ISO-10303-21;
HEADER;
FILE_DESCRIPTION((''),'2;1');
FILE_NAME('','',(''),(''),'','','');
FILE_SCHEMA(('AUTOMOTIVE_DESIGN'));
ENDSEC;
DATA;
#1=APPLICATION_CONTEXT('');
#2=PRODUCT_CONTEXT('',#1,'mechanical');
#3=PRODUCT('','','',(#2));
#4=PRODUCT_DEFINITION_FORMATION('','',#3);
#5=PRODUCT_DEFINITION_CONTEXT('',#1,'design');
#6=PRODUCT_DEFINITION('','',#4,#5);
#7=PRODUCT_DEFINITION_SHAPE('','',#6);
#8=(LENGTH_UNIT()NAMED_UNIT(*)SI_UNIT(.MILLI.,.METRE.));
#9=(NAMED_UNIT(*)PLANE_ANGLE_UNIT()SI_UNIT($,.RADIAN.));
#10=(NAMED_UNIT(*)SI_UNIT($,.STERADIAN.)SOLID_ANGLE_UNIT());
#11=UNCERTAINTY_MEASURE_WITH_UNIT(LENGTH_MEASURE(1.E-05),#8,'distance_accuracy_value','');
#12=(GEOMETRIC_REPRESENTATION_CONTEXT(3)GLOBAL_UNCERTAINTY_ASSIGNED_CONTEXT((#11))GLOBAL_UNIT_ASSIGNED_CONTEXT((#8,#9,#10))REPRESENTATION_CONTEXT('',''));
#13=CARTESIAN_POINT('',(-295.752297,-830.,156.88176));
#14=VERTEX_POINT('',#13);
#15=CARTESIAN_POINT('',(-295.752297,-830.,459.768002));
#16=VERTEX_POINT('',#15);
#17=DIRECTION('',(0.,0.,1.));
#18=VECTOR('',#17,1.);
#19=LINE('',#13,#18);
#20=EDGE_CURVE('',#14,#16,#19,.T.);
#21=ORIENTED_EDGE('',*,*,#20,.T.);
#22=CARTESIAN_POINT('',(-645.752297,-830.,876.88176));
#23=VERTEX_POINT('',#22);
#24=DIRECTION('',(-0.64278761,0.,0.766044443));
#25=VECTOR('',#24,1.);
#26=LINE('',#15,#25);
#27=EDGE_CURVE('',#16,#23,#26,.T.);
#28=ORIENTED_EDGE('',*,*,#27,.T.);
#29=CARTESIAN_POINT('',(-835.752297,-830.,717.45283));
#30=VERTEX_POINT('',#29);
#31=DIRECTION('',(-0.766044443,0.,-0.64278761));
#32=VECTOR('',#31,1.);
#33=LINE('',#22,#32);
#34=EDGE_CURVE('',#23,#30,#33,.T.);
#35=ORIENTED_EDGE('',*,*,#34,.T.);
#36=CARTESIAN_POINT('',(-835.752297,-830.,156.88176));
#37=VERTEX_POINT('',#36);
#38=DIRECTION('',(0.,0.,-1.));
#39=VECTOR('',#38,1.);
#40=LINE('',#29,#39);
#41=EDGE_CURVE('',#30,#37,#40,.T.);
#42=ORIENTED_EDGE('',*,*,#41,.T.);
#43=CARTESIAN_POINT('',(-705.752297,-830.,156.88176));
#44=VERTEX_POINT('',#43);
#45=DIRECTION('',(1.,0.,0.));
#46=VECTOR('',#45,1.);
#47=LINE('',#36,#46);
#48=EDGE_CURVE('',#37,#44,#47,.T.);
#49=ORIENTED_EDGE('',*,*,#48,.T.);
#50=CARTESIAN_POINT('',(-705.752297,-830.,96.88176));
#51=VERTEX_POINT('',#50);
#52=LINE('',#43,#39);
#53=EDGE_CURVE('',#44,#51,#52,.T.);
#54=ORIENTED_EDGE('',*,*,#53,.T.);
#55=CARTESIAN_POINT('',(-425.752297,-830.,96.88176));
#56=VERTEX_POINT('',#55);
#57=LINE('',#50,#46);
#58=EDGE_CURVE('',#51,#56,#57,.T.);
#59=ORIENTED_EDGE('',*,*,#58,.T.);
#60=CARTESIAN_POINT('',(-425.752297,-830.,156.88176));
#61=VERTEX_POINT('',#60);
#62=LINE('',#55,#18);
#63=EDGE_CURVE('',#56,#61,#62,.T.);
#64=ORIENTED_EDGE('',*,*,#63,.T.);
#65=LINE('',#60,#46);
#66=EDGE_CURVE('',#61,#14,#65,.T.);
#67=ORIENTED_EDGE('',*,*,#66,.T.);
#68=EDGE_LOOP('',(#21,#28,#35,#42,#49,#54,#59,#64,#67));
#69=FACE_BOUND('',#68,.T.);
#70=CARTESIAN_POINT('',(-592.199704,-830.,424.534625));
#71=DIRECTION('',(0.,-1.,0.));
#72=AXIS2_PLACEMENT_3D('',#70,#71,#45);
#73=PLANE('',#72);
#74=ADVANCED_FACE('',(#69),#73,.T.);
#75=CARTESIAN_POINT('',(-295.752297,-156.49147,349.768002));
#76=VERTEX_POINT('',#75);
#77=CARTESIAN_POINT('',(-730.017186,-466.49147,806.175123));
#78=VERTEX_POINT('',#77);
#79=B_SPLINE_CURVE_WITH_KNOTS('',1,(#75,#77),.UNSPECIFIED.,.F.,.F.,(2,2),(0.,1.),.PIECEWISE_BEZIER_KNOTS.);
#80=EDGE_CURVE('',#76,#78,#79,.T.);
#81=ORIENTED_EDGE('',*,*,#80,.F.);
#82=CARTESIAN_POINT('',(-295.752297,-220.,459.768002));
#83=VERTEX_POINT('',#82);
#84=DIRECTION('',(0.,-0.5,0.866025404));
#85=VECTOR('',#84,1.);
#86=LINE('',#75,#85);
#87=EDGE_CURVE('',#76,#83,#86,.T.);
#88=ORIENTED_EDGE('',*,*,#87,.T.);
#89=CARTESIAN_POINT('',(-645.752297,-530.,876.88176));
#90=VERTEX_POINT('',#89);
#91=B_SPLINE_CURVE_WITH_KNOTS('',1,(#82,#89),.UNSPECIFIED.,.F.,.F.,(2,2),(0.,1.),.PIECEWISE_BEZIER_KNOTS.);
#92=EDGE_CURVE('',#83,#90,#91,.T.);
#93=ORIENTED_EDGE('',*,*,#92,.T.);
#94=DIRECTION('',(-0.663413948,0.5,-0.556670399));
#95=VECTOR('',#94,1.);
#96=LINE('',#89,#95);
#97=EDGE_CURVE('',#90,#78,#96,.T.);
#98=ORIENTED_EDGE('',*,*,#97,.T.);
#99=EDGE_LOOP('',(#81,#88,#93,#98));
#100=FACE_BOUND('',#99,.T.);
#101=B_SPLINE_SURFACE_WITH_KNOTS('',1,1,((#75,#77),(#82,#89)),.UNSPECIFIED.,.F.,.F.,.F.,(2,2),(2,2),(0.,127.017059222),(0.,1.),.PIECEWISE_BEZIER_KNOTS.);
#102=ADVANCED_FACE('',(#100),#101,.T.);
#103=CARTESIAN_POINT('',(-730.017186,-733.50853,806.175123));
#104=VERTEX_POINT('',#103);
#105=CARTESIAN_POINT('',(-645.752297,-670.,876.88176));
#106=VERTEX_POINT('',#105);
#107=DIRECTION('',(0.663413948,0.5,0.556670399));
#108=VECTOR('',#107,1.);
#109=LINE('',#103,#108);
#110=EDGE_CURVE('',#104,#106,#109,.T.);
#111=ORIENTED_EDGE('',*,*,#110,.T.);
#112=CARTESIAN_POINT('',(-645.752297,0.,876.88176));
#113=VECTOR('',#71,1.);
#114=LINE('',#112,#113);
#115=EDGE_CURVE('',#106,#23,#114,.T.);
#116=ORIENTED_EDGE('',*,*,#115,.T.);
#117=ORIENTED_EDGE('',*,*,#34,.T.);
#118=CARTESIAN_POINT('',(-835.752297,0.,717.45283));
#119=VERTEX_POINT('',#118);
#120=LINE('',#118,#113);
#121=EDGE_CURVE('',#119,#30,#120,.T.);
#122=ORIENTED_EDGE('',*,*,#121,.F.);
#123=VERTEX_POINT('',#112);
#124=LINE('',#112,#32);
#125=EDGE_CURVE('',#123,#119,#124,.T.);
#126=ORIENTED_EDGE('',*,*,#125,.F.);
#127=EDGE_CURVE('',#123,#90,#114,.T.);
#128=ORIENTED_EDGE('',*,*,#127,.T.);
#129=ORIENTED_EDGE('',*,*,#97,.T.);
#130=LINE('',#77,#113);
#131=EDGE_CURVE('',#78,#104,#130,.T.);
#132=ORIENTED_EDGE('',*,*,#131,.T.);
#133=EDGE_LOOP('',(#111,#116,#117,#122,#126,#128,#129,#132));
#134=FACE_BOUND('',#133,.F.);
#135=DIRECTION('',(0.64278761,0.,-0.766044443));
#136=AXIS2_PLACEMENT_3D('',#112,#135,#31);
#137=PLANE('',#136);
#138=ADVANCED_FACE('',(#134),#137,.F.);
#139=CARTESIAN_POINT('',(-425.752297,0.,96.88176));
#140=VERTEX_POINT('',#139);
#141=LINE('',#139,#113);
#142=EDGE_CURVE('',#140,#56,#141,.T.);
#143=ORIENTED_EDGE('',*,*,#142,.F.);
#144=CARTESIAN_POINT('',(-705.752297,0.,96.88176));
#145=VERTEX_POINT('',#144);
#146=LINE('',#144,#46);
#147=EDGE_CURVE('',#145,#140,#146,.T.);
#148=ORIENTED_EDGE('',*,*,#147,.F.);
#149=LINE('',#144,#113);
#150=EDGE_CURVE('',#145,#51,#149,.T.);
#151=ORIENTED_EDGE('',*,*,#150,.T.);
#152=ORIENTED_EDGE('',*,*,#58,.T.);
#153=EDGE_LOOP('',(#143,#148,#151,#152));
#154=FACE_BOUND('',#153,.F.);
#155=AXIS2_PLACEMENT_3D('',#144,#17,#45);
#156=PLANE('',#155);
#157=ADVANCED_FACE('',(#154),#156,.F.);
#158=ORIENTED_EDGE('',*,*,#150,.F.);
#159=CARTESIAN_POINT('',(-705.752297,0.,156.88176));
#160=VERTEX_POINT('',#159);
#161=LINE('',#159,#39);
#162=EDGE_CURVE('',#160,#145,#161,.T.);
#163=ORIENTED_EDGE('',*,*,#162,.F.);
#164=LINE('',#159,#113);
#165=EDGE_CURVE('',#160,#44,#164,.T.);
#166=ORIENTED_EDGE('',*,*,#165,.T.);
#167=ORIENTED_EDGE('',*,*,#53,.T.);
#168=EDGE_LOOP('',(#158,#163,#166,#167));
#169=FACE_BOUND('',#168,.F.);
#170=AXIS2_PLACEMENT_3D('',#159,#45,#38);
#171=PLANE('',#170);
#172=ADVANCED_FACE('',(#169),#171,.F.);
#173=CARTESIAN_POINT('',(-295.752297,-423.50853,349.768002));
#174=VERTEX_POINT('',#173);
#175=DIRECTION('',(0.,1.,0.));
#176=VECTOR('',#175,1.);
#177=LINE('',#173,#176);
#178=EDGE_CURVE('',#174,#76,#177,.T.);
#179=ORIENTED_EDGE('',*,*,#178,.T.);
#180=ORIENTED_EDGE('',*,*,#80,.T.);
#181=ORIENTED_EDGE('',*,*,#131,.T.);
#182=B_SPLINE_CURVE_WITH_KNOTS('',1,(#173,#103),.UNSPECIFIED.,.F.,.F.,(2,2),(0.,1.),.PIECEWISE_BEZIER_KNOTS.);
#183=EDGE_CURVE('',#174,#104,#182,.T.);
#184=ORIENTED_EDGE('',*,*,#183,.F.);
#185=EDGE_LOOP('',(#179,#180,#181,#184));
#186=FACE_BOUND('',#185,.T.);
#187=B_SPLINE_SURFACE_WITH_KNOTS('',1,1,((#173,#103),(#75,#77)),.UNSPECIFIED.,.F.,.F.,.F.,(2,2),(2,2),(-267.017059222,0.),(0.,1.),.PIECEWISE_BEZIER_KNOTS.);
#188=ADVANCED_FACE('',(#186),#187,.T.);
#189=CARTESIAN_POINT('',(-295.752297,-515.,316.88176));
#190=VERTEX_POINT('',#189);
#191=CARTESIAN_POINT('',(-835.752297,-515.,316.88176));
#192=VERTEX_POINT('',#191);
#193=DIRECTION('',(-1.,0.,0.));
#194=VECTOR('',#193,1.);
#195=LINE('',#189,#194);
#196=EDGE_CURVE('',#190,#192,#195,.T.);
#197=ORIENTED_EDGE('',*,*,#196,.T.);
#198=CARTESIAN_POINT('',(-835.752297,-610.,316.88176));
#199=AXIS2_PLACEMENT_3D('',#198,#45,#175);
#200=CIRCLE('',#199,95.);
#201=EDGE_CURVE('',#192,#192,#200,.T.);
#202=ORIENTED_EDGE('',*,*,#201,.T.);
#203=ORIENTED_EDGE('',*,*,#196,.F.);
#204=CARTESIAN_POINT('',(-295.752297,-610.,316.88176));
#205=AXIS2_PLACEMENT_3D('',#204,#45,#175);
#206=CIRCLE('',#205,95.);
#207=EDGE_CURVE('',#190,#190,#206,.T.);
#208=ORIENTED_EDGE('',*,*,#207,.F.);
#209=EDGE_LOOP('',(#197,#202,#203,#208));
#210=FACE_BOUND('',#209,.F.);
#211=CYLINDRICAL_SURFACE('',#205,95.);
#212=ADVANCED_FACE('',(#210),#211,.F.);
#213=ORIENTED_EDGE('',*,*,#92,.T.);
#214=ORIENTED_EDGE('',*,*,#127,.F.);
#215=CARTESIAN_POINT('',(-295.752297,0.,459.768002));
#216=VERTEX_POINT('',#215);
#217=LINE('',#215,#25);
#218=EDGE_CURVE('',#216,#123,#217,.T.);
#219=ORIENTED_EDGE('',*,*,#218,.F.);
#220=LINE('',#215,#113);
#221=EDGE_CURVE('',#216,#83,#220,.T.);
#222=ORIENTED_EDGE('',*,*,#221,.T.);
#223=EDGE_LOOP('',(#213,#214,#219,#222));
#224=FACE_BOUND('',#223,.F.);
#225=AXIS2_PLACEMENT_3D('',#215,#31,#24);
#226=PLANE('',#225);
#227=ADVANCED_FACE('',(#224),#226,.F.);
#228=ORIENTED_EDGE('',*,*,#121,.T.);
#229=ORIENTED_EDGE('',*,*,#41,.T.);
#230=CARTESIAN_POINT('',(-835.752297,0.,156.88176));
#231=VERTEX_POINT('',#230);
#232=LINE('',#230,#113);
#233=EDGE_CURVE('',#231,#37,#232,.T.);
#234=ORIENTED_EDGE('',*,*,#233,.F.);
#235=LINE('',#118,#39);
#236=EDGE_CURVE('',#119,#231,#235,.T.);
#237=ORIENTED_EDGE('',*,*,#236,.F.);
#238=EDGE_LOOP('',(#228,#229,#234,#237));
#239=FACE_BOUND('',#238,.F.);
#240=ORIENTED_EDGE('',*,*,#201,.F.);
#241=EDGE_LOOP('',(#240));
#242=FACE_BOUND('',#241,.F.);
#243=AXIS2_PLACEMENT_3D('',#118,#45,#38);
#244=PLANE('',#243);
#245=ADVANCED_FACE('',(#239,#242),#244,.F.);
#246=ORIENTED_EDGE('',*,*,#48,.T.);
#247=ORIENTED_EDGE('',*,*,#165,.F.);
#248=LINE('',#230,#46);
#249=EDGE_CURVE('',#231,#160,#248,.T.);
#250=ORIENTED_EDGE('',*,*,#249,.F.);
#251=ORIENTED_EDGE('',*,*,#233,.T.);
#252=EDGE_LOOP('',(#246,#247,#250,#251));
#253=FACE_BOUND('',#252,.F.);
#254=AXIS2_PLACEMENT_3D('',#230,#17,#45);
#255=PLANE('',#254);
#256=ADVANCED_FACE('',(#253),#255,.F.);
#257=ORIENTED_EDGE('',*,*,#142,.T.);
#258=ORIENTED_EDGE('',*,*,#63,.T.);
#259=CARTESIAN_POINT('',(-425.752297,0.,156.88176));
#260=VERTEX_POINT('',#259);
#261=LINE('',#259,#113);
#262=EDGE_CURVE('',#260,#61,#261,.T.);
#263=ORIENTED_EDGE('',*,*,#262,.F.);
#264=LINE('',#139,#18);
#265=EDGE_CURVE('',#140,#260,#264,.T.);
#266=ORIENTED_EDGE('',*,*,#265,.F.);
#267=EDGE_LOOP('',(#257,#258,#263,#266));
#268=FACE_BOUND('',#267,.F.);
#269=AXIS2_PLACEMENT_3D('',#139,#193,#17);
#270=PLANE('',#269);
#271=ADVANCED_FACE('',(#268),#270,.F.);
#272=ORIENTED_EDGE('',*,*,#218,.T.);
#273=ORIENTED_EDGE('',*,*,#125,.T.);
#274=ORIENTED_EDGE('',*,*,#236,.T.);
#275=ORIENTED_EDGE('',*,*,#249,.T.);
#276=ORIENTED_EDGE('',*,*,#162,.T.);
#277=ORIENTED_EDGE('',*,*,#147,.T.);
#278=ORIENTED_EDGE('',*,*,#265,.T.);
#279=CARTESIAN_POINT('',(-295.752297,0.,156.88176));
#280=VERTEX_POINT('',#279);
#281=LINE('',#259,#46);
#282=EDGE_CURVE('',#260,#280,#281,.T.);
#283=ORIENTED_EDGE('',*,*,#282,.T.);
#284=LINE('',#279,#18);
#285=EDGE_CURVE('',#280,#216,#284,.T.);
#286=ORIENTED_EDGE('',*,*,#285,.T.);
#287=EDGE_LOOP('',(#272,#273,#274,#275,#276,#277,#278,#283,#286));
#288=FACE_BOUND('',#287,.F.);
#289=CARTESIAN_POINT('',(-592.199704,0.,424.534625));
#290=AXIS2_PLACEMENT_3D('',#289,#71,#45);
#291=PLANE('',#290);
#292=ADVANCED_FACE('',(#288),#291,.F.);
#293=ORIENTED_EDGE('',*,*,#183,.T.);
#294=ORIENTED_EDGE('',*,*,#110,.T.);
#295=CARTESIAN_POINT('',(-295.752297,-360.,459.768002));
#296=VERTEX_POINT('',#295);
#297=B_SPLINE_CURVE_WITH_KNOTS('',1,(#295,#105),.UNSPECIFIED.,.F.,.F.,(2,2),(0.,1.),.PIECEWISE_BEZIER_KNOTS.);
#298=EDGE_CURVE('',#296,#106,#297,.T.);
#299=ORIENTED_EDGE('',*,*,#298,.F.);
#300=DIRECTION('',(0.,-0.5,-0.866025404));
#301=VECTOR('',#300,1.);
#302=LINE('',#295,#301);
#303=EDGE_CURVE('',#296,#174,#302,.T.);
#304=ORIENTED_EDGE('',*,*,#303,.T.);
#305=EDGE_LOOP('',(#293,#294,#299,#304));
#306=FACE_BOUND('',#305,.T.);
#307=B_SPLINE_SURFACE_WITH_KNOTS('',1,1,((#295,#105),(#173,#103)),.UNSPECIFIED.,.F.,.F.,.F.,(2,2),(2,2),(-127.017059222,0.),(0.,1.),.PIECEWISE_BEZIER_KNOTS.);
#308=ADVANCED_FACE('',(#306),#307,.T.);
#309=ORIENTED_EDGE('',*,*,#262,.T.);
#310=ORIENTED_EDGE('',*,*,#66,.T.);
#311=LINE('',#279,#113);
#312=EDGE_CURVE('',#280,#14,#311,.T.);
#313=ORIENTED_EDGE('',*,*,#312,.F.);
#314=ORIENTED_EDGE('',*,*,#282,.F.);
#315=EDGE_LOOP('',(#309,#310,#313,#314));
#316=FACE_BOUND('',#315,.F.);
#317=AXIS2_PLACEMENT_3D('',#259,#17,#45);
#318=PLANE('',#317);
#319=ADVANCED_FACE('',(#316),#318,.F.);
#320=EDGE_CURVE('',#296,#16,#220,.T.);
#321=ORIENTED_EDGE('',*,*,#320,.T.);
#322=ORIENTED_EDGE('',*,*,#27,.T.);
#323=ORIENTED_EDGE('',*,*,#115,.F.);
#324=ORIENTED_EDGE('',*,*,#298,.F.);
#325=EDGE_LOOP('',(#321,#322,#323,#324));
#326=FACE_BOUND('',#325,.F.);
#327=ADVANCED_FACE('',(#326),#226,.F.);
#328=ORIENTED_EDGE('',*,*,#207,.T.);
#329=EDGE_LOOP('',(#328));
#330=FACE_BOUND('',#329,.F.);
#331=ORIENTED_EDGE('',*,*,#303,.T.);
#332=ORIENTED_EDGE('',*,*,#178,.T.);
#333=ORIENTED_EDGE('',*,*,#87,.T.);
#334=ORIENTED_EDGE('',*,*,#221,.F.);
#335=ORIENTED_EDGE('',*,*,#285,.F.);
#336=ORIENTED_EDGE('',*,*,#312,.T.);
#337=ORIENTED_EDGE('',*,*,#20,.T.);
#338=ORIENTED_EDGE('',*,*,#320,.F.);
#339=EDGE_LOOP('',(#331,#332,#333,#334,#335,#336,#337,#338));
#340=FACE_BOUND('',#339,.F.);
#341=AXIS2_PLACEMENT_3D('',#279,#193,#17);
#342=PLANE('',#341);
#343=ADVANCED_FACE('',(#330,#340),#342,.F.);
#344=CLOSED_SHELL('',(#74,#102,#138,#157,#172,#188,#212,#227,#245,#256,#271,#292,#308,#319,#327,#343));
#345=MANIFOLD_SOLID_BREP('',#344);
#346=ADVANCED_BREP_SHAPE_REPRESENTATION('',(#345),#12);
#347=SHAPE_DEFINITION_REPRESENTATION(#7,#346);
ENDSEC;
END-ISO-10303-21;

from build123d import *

# Parameters (mm, degrees)
F1_DEPTH = 830
F2_R     = 95
F5_DEPTH = 540.001


with BuildPart() as f1:
    # F0 (on Front) → F1 (new body)
    with BuildSketch(Plane.XZ):
        Polygon((-645.752296802, 876.8817598489), (-835.752296802, 717.4528299252), (-835.752296802, 156.8817598489), (-705.752296802, 156.8817598489), (-705.752296802, 96.8817598489), (-425.752296802, 96.8817598489), (-425.752296802, 156.8817598489), (-295.752296802, 156.8817598489), (-295.752296802, 459.7680024409), align=None)
    extrude(amount=F1_DEPTH)

    # F2 (on face) → F4 section 0
    with BuildSketch(Plane.YZ.offset(-295.752296802)):
        Polygon((-220, 459.7680024409), (-360, 459.7680024409), (-423.5085296109, 349.7680024409), (-156.4914703891, 349.7680024409), align=None)
    # F3 (on face) → F4 section 1
    with BuildSketch(Plane(origin=(-698.5892714061, 0, 832.546273946), x_dir=(0.7660444431, 0, 0.6427876097), z_dir=(-0.6427876097, 0, 0.7660444431))):
        Polygon((-41.0262282055, -733.5085296109), (68.9737717945, -670), (68.9737717945, -530), (-41.0262282055, -466.4914703891), align=None)
    loft(mode=Mode.SUBTRACT)

    # F2 (on face) → F5 (cut, through all)
    with BuildSketch(Plane.YZ.offset(-295.752296802)):
        with Locations((-610, 316.8817598489)):
            Circle(F2_R)
    extrude(amount=-F5_DEPTH, mode=Mode.SUBTRACT)


solid = f1.part
